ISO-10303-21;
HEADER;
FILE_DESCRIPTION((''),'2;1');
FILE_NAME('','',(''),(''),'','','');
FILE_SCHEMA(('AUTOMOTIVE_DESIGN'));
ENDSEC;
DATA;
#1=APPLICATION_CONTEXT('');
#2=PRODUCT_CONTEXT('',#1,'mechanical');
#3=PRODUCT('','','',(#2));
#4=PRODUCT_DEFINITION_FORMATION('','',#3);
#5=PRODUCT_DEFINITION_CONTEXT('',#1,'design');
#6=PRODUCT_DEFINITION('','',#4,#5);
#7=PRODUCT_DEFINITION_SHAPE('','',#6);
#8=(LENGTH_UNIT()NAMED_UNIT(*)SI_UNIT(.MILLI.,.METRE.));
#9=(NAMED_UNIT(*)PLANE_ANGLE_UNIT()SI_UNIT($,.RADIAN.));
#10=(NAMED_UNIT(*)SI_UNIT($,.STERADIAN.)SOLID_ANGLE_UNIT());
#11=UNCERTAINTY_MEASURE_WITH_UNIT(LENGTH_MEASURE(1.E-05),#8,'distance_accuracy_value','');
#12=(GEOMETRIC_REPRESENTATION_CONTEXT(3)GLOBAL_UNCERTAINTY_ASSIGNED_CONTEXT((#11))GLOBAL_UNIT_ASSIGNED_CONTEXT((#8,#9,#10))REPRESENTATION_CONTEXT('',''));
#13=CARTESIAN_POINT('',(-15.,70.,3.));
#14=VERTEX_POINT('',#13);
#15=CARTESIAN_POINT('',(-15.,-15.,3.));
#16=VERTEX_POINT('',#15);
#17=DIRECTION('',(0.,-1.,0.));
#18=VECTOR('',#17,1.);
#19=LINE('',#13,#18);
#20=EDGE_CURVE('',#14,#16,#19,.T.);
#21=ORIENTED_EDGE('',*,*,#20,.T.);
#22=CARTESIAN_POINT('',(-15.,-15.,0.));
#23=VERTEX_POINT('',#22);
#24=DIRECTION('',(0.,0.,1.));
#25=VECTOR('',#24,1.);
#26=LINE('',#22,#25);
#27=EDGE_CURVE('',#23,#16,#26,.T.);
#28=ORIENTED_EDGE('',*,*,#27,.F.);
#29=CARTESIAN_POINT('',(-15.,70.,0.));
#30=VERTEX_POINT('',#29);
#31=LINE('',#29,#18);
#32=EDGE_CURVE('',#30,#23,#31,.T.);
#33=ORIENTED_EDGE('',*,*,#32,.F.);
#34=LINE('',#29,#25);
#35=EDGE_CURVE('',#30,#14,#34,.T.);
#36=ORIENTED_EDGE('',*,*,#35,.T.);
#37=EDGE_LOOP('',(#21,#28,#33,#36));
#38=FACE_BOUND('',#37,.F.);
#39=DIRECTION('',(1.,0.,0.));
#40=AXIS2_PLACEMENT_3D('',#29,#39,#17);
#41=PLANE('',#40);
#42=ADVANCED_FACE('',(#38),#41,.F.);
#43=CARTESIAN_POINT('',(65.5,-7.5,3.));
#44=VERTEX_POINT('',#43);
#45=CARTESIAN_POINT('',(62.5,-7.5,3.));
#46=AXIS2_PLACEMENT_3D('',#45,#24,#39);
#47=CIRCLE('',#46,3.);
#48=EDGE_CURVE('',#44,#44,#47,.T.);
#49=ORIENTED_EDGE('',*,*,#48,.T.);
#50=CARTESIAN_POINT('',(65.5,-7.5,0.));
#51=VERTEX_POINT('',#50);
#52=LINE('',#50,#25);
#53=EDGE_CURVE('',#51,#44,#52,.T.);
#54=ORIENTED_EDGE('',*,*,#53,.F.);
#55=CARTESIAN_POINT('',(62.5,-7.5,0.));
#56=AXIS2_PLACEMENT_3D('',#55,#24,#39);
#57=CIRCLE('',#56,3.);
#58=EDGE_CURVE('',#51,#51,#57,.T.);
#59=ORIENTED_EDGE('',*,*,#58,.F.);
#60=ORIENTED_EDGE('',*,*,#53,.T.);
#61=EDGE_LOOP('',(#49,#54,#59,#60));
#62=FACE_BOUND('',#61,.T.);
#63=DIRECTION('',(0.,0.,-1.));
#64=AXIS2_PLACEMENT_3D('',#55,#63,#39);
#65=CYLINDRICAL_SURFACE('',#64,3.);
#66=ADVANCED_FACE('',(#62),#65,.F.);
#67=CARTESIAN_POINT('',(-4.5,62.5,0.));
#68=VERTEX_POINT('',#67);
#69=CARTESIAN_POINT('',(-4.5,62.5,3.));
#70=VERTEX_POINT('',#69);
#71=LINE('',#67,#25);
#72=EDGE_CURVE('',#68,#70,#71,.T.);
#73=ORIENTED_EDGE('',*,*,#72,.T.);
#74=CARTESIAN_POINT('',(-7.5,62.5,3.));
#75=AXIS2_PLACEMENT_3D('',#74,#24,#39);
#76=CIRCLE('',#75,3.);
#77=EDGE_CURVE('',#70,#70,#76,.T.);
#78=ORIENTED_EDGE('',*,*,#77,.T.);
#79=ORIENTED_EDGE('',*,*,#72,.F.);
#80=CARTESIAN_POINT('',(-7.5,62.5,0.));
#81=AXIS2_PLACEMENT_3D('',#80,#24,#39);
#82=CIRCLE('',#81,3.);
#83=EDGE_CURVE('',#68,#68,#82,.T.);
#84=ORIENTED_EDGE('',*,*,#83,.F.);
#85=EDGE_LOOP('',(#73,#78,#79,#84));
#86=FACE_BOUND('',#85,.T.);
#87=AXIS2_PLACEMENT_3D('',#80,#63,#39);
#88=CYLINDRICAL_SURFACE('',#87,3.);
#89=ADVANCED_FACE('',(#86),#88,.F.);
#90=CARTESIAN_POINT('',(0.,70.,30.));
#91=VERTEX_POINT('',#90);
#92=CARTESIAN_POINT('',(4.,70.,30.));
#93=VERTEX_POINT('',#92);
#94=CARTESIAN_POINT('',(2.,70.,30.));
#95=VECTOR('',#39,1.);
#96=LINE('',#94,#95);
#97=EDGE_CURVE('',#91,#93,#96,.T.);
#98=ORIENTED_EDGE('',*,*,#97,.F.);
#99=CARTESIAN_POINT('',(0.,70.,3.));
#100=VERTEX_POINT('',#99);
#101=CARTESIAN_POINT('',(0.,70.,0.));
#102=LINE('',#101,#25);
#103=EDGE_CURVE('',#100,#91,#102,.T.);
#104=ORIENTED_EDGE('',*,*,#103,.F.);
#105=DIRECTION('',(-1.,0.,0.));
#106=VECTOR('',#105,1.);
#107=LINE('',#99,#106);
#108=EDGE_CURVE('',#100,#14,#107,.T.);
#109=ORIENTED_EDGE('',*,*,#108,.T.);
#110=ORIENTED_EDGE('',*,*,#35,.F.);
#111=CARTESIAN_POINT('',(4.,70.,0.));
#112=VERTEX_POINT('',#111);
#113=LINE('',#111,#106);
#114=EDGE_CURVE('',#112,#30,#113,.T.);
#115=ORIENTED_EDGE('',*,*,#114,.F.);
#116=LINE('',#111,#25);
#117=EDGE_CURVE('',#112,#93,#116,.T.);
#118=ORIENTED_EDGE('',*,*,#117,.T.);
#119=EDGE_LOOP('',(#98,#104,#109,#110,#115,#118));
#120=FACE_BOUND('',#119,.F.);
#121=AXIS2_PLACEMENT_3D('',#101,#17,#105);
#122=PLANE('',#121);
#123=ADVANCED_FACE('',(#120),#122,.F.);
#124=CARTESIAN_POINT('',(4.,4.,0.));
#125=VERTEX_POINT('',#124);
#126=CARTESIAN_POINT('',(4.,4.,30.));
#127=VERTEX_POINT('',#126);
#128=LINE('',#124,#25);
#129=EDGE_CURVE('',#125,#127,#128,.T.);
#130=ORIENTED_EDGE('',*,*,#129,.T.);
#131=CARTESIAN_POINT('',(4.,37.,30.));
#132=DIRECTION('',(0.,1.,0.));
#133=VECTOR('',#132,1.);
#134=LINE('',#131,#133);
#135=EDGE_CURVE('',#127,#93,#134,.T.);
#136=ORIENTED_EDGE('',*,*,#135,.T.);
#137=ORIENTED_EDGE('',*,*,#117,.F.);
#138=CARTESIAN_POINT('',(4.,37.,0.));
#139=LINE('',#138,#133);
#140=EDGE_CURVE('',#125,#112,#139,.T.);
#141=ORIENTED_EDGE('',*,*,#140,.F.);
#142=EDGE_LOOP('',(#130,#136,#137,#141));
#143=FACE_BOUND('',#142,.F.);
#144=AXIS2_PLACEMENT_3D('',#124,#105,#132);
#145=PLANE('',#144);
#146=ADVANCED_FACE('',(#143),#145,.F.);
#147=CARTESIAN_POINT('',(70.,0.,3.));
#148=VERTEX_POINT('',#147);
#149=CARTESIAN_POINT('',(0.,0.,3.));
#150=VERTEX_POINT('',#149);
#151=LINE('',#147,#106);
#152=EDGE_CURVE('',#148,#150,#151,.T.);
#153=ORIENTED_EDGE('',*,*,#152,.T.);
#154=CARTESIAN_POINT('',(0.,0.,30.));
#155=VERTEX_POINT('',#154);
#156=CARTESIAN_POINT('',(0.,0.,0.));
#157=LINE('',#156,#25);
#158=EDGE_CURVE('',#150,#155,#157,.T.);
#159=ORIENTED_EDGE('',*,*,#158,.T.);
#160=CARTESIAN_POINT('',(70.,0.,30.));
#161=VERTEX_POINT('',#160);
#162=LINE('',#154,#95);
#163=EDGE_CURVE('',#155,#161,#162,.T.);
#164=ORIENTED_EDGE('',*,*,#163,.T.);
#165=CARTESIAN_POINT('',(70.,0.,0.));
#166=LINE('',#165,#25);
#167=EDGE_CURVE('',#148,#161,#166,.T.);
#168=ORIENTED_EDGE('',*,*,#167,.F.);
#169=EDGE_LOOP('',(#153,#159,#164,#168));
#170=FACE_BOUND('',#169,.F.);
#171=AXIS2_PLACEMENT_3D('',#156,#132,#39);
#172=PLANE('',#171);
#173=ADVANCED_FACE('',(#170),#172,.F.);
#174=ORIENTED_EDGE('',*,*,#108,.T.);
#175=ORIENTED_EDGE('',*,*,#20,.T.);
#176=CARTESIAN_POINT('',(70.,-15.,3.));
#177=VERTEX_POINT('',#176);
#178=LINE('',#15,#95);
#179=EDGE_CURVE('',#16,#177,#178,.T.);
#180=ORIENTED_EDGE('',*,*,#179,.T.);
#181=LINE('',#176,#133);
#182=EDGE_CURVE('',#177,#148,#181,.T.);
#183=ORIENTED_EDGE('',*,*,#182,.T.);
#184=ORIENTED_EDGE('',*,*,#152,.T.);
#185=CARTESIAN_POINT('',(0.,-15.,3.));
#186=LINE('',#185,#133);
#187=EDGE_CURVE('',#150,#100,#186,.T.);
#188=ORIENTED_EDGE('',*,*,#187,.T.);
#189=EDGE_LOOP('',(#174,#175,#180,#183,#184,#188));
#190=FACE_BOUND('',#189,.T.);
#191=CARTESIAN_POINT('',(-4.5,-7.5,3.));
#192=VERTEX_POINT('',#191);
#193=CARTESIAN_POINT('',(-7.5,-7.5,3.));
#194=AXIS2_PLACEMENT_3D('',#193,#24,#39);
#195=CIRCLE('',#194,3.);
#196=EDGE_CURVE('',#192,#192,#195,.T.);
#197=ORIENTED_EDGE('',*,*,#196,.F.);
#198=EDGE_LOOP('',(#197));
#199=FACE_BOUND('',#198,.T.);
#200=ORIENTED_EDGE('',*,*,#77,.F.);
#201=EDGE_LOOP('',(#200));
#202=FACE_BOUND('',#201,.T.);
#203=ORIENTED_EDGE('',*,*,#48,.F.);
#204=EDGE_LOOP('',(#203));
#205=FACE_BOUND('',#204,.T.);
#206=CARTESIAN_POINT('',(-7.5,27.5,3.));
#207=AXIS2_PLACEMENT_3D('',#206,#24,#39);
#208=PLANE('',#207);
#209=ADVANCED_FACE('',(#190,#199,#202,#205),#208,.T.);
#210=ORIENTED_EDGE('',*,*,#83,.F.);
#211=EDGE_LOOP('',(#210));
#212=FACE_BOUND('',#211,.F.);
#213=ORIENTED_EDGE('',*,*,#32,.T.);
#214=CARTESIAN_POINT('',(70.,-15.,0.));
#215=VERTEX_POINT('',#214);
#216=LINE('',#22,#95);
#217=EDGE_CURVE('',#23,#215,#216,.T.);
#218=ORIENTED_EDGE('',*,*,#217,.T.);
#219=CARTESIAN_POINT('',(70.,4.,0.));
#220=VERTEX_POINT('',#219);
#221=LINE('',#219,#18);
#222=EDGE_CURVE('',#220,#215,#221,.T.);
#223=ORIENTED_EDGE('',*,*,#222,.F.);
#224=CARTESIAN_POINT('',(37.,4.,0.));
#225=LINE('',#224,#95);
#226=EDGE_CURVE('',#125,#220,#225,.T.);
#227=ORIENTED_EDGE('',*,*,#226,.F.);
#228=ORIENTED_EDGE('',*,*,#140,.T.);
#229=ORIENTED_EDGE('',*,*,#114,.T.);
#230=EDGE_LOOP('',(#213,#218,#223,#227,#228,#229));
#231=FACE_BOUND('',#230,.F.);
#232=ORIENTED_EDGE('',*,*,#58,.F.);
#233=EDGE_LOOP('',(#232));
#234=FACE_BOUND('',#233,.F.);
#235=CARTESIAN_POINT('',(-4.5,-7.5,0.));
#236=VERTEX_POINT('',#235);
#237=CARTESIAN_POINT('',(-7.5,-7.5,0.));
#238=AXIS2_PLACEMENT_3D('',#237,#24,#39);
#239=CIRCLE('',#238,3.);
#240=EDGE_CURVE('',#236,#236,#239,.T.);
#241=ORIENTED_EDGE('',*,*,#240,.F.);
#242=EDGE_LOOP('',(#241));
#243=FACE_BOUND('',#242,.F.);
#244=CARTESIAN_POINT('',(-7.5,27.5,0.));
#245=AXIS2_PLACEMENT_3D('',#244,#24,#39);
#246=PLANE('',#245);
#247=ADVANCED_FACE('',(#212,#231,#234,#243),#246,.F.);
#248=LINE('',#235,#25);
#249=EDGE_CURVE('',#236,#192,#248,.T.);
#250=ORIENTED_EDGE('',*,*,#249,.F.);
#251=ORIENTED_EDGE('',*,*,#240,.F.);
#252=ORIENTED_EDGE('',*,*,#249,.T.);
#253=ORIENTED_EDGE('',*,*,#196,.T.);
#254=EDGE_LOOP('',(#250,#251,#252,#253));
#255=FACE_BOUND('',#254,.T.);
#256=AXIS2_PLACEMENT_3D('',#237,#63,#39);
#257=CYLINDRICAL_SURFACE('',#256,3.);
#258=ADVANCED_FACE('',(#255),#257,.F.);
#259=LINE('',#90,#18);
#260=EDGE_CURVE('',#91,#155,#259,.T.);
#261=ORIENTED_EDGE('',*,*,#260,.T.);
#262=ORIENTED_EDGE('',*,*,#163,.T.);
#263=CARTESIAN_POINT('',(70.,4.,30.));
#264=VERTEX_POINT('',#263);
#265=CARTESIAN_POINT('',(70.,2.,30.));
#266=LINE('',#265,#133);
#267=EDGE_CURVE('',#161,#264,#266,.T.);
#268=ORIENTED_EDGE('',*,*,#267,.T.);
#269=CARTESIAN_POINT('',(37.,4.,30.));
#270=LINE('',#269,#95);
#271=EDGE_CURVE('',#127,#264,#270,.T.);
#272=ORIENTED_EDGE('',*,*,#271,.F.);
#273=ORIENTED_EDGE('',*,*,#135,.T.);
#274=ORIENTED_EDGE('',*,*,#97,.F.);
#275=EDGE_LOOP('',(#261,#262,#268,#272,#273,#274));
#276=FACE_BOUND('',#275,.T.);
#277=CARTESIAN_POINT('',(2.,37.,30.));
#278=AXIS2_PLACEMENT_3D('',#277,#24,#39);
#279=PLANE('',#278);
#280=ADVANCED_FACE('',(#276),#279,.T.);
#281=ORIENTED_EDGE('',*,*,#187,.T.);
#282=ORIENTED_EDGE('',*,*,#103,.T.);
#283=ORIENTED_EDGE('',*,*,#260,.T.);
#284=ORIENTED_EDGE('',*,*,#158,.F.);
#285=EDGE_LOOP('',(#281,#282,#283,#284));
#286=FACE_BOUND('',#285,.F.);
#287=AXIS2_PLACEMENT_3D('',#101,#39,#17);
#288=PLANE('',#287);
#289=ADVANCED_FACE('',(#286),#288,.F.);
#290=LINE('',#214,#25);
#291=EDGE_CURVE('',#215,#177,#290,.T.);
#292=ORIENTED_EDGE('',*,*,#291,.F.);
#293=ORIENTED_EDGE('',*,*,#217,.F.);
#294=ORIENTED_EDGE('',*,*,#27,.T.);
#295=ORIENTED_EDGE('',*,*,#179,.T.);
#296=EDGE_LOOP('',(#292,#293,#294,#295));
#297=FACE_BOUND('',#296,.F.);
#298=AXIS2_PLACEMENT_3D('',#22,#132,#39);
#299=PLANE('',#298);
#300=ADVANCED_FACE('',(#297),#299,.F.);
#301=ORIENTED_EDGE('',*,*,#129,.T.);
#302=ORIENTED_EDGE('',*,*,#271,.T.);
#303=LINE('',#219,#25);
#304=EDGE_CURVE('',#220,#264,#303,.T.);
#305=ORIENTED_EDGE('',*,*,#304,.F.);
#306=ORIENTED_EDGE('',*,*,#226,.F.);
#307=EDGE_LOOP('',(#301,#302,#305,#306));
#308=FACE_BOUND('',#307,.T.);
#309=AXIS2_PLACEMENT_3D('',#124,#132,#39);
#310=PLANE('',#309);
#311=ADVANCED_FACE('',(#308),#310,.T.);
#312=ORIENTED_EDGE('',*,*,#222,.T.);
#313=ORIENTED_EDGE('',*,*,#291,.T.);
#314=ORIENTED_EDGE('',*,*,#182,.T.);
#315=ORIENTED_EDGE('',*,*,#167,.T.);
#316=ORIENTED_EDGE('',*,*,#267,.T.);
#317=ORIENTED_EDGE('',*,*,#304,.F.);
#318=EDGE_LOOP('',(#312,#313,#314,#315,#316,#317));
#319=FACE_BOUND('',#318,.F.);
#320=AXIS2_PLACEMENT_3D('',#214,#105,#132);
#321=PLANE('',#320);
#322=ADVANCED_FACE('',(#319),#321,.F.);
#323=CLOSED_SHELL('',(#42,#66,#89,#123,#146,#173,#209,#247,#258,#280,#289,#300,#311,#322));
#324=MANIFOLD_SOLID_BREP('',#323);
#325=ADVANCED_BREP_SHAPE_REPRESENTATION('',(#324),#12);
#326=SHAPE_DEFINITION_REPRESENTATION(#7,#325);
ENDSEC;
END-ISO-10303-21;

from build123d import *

# Parameters (mm, degrees)
F0_W     = 4
F0_H     = 66
F0_W_2   = 66
F0_H_2   = 4
F1_DEPTH = 30
F0_R     = 3
F2_DEPTH = 3


with BuildPart() as f1:
    # F0 (on Top) → F1 (new body)
    with BuildSketch(Plane.XY):
        with Locations((2, 37)):
            Rectangle(F0_W, F0_H)
        with Locations((37, 2)):
            Rectangle(F0_W_2, F0_H_2)
        with Locations((2, 2)):
            Rectangle(F0_W, F0_H_2)
    extrude(amount=F1_DEPTH)

    # F0 (on Top) → F2 (join)
    with BuildSketch(Plane.XY):
        Polygon((0, -15), (0, 0), (0, 4), (0, 70), (-15, 70), (-15, -15), align=None)
        with Locations((-7.5, -7.5)):
            Circle(F0_R, mode=Mode.SUBTRACT)
        with Locations((-7.5, 62.5)):
            Circle(F0_R, mode=Mode.SUBTRACT)
        Polygon((4, 0), (0, 0), (0, -15), (70, -15), (70, 0), align=None)
        with Locations((62.5, -7.5)):
            Circle(F0_R, mode=Mode.SUBTRACT)
    extrude(amount=F2_DEPTH)


solid = f1.part
